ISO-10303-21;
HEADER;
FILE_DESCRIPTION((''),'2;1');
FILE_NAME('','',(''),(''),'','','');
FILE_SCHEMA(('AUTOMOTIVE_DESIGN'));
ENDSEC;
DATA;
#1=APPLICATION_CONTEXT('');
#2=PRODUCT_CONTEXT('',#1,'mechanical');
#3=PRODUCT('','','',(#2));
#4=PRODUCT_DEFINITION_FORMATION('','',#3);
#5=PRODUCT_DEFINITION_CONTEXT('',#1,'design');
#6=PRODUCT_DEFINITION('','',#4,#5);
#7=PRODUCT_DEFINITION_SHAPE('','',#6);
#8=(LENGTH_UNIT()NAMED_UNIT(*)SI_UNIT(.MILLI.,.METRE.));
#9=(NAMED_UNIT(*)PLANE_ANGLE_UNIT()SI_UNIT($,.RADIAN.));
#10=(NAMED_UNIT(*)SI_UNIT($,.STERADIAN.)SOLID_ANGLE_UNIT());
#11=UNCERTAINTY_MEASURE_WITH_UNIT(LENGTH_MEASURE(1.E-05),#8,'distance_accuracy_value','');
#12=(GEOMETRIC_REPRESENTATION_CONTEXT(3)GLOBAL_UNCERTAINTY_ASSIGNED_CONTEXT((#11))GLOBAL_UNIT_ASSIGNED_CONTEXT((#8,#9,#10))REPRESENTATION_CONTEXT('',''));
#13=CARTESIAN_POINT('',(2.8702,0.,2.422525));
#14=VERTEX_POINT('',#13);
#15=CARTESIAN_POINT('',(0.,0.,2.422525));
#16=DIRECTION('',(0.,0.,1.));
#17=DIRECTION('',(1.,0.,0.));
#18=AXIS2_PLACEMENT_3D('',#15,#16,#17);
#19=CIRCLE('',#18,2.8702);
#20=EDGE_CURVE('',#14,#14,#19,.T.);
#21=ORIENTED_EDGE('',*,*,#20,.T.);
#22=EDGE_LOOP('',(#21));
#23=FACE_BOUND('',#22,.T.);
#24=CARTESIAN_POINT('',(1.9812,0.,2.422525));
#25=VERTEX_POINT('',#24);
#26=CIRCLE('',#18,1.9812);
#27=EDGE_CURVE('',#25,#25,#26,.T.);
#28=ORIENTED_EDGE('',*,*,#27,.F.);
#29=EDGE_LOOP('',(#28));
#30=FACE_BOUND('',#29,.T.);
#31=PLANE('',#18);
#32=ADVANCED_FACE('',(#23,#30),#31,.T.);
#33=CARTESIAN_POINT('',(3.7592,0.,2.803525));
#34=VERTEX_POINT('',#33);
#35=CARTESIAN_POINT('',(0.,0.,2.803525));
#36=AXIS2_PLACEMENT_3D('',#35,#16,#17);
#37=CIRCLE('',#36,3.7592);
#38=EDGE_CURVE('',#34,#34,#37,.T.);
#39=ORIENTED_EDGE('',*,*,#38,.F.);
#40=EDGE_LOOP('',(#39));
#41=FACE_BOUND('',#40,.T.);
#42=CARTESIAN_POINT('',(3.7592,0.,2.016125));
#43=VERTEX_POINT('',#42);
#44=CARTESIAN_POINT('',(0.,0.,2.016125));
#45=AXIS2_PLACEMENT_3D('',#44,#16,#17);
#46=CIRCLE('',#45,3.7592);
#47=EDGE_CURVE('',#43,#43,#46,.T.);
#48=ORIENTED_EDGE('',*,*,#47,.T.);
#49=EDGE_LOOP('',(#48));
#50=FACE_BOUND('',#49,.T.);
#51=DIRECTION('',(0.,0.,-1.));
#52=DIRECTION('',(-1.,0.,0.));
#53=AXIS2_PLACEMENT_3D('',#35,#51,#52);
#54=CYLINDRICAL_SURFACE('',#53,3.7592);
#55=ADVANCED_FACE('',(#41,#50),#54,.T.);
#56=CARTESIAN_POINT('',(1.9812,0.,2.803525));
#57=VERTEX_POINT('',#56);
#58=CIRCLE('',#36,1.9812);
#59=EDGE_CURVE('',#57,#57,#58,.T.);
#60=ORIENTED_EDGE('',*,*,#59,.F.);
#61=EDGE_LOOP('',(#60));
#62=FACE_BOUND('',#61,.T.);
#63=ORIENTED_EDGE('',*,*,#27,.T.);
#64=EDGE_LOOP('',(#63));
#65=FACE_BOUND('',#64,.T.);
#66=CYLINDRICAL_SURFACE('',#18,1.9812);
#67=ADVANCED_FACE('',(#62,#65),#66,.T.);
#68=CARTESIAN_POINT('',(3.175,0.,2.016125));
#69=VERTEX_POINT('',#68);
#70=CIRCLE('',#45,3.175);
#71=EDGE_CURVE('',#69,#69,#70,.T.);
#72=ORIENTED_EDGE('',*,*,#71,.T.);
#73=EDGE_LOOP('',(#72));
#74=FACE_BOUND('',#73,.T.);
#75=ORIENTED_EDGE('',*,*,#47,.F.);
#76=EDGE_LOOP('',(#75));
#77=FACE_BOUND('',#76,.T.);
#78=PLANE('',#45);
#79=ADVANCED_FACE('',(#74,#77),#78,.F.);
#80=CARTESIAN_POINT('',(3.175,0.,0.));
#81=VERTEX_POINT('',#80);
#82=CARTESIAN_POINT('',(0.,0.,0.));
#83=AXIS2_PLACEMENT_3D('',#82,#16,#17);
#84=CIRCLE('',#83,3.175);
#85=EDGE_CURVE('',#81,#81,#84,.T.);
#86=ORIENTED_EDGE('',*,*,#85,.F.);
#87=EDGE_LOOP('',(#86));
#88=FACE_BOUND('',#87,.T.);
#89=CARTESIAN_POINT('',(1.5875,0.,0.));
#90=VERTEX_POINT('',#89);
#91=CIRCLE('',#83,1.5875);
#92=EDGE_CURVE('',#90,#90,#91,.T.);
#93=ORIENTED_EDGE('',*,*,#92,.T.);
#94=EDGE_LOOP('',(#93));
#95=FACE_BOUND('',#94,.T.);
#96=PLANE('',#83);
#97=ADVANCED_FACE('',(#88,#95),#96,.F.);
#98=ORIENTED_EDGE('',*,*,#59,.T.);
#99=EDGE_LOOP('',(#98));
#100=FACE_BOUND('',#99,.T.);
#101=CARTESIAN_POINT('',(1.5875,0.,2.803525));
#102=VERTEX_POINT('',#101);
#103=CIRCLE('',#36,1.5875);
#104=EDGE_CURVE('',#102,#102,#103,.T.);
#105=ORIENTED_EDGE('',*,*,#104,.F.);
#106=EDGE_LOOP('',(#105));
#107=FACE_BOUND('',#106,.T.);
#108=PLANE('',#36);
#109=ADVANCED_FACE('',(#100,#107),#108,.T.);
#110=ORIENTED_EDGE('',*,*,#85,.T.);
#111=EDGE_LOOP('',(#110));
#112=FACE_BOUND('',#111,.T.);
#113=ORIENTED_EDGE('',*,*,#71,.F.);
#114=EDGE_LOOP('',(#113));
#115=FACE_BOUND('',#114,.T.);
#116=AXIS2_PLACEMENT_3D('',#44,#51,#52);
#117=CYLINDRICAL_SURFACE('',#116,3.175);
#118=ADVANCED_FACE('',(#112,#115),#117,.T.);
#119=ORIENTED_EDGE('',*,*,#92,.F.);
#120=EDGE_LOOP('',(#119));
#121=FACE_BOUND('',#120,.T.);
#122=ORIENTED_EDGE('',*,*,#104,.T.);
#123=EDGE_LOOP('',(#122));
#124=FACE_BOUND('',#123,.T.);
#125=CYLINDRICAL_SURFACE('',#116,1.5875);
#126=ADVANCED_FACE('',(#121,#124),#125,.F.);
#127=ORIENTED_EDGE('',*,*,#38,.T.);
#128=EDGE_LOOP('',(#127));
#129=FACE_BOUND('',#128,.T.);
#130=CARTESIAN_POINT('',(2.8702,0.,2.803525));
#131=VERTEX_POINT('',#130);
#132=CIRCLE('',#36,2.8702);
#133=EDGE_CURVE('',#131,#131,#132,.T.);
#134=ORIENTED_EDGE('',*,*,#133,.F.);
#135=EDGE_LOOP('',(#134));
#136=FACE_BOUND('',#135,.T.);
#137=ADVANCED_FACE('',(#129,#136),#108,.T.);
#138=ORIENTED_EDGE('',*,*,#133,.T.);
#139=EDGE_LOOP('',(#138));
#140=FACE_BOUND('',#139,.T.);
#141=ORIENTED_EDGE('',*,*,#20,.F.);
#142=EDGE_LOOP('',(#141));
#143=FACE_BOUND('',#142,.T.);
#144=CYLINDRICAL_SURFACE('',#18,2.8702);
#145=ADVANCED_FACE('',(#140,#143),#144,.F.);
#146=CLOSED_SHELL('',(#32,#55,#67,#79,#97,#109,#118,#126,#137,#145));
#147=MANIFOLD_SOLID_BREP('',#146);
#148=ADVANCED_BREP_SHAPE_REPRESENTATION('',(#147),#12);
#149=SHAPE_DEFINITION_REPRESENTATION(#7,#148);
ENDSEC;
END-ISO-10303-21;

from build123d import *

# Parameters (mm, degrees)
SKETCH1_R           = 3.175
SKETCH1_R_2         = 1.5875
BOSS_EXTRUDE1_DEPTH = 2.016125
SKETCH2_R           = 3.7592
SKETCH2_R_2         = 1.5875
BOSS_EXTRUDE2_DEPTH = 0.7874
SKETCH3_R           = 2.8702
SKETCH3_R_2         = 1.9812
CUT_EXTRUDE1_DEPTH  = 0.381


with BuildPart() as part:
    # Sketch1 → Boss-Extrude1 (new body)
    with BuildSketch(Plane.XY):
        Circle(SKETCH1_R)
        Circle(SKETCH1_R_2, mode=Mode.SUBTRACT)
    extrude(amount=BOSS_EXTRUDE1_DEPTH)

    # Sketch2 → Boss-Extrude2 (add)
    with BuildSketch(Plane.XY.offset(2.016125)):
        Circle(SKETCH2_R)
        Circle(SKETCH2_R_2, mode=Mode.SUBTRACT)
    extrude(amount=BOSS_EXTRUDE2_DEPTH)

    # Sketch3 → Cut-Extrude1 (cut)
    with BuildSketch(Plane.XY.offset(2.803525)):
        Circle(SKETCH3_R)
        Circle(SKETCH3_R_2, mode=Mode.SUBTRACT)
    extrude(amount=-CUT_EXTRUDE1_DEPTH, mode=Mode.SUBTRACT)


solid = part.part
